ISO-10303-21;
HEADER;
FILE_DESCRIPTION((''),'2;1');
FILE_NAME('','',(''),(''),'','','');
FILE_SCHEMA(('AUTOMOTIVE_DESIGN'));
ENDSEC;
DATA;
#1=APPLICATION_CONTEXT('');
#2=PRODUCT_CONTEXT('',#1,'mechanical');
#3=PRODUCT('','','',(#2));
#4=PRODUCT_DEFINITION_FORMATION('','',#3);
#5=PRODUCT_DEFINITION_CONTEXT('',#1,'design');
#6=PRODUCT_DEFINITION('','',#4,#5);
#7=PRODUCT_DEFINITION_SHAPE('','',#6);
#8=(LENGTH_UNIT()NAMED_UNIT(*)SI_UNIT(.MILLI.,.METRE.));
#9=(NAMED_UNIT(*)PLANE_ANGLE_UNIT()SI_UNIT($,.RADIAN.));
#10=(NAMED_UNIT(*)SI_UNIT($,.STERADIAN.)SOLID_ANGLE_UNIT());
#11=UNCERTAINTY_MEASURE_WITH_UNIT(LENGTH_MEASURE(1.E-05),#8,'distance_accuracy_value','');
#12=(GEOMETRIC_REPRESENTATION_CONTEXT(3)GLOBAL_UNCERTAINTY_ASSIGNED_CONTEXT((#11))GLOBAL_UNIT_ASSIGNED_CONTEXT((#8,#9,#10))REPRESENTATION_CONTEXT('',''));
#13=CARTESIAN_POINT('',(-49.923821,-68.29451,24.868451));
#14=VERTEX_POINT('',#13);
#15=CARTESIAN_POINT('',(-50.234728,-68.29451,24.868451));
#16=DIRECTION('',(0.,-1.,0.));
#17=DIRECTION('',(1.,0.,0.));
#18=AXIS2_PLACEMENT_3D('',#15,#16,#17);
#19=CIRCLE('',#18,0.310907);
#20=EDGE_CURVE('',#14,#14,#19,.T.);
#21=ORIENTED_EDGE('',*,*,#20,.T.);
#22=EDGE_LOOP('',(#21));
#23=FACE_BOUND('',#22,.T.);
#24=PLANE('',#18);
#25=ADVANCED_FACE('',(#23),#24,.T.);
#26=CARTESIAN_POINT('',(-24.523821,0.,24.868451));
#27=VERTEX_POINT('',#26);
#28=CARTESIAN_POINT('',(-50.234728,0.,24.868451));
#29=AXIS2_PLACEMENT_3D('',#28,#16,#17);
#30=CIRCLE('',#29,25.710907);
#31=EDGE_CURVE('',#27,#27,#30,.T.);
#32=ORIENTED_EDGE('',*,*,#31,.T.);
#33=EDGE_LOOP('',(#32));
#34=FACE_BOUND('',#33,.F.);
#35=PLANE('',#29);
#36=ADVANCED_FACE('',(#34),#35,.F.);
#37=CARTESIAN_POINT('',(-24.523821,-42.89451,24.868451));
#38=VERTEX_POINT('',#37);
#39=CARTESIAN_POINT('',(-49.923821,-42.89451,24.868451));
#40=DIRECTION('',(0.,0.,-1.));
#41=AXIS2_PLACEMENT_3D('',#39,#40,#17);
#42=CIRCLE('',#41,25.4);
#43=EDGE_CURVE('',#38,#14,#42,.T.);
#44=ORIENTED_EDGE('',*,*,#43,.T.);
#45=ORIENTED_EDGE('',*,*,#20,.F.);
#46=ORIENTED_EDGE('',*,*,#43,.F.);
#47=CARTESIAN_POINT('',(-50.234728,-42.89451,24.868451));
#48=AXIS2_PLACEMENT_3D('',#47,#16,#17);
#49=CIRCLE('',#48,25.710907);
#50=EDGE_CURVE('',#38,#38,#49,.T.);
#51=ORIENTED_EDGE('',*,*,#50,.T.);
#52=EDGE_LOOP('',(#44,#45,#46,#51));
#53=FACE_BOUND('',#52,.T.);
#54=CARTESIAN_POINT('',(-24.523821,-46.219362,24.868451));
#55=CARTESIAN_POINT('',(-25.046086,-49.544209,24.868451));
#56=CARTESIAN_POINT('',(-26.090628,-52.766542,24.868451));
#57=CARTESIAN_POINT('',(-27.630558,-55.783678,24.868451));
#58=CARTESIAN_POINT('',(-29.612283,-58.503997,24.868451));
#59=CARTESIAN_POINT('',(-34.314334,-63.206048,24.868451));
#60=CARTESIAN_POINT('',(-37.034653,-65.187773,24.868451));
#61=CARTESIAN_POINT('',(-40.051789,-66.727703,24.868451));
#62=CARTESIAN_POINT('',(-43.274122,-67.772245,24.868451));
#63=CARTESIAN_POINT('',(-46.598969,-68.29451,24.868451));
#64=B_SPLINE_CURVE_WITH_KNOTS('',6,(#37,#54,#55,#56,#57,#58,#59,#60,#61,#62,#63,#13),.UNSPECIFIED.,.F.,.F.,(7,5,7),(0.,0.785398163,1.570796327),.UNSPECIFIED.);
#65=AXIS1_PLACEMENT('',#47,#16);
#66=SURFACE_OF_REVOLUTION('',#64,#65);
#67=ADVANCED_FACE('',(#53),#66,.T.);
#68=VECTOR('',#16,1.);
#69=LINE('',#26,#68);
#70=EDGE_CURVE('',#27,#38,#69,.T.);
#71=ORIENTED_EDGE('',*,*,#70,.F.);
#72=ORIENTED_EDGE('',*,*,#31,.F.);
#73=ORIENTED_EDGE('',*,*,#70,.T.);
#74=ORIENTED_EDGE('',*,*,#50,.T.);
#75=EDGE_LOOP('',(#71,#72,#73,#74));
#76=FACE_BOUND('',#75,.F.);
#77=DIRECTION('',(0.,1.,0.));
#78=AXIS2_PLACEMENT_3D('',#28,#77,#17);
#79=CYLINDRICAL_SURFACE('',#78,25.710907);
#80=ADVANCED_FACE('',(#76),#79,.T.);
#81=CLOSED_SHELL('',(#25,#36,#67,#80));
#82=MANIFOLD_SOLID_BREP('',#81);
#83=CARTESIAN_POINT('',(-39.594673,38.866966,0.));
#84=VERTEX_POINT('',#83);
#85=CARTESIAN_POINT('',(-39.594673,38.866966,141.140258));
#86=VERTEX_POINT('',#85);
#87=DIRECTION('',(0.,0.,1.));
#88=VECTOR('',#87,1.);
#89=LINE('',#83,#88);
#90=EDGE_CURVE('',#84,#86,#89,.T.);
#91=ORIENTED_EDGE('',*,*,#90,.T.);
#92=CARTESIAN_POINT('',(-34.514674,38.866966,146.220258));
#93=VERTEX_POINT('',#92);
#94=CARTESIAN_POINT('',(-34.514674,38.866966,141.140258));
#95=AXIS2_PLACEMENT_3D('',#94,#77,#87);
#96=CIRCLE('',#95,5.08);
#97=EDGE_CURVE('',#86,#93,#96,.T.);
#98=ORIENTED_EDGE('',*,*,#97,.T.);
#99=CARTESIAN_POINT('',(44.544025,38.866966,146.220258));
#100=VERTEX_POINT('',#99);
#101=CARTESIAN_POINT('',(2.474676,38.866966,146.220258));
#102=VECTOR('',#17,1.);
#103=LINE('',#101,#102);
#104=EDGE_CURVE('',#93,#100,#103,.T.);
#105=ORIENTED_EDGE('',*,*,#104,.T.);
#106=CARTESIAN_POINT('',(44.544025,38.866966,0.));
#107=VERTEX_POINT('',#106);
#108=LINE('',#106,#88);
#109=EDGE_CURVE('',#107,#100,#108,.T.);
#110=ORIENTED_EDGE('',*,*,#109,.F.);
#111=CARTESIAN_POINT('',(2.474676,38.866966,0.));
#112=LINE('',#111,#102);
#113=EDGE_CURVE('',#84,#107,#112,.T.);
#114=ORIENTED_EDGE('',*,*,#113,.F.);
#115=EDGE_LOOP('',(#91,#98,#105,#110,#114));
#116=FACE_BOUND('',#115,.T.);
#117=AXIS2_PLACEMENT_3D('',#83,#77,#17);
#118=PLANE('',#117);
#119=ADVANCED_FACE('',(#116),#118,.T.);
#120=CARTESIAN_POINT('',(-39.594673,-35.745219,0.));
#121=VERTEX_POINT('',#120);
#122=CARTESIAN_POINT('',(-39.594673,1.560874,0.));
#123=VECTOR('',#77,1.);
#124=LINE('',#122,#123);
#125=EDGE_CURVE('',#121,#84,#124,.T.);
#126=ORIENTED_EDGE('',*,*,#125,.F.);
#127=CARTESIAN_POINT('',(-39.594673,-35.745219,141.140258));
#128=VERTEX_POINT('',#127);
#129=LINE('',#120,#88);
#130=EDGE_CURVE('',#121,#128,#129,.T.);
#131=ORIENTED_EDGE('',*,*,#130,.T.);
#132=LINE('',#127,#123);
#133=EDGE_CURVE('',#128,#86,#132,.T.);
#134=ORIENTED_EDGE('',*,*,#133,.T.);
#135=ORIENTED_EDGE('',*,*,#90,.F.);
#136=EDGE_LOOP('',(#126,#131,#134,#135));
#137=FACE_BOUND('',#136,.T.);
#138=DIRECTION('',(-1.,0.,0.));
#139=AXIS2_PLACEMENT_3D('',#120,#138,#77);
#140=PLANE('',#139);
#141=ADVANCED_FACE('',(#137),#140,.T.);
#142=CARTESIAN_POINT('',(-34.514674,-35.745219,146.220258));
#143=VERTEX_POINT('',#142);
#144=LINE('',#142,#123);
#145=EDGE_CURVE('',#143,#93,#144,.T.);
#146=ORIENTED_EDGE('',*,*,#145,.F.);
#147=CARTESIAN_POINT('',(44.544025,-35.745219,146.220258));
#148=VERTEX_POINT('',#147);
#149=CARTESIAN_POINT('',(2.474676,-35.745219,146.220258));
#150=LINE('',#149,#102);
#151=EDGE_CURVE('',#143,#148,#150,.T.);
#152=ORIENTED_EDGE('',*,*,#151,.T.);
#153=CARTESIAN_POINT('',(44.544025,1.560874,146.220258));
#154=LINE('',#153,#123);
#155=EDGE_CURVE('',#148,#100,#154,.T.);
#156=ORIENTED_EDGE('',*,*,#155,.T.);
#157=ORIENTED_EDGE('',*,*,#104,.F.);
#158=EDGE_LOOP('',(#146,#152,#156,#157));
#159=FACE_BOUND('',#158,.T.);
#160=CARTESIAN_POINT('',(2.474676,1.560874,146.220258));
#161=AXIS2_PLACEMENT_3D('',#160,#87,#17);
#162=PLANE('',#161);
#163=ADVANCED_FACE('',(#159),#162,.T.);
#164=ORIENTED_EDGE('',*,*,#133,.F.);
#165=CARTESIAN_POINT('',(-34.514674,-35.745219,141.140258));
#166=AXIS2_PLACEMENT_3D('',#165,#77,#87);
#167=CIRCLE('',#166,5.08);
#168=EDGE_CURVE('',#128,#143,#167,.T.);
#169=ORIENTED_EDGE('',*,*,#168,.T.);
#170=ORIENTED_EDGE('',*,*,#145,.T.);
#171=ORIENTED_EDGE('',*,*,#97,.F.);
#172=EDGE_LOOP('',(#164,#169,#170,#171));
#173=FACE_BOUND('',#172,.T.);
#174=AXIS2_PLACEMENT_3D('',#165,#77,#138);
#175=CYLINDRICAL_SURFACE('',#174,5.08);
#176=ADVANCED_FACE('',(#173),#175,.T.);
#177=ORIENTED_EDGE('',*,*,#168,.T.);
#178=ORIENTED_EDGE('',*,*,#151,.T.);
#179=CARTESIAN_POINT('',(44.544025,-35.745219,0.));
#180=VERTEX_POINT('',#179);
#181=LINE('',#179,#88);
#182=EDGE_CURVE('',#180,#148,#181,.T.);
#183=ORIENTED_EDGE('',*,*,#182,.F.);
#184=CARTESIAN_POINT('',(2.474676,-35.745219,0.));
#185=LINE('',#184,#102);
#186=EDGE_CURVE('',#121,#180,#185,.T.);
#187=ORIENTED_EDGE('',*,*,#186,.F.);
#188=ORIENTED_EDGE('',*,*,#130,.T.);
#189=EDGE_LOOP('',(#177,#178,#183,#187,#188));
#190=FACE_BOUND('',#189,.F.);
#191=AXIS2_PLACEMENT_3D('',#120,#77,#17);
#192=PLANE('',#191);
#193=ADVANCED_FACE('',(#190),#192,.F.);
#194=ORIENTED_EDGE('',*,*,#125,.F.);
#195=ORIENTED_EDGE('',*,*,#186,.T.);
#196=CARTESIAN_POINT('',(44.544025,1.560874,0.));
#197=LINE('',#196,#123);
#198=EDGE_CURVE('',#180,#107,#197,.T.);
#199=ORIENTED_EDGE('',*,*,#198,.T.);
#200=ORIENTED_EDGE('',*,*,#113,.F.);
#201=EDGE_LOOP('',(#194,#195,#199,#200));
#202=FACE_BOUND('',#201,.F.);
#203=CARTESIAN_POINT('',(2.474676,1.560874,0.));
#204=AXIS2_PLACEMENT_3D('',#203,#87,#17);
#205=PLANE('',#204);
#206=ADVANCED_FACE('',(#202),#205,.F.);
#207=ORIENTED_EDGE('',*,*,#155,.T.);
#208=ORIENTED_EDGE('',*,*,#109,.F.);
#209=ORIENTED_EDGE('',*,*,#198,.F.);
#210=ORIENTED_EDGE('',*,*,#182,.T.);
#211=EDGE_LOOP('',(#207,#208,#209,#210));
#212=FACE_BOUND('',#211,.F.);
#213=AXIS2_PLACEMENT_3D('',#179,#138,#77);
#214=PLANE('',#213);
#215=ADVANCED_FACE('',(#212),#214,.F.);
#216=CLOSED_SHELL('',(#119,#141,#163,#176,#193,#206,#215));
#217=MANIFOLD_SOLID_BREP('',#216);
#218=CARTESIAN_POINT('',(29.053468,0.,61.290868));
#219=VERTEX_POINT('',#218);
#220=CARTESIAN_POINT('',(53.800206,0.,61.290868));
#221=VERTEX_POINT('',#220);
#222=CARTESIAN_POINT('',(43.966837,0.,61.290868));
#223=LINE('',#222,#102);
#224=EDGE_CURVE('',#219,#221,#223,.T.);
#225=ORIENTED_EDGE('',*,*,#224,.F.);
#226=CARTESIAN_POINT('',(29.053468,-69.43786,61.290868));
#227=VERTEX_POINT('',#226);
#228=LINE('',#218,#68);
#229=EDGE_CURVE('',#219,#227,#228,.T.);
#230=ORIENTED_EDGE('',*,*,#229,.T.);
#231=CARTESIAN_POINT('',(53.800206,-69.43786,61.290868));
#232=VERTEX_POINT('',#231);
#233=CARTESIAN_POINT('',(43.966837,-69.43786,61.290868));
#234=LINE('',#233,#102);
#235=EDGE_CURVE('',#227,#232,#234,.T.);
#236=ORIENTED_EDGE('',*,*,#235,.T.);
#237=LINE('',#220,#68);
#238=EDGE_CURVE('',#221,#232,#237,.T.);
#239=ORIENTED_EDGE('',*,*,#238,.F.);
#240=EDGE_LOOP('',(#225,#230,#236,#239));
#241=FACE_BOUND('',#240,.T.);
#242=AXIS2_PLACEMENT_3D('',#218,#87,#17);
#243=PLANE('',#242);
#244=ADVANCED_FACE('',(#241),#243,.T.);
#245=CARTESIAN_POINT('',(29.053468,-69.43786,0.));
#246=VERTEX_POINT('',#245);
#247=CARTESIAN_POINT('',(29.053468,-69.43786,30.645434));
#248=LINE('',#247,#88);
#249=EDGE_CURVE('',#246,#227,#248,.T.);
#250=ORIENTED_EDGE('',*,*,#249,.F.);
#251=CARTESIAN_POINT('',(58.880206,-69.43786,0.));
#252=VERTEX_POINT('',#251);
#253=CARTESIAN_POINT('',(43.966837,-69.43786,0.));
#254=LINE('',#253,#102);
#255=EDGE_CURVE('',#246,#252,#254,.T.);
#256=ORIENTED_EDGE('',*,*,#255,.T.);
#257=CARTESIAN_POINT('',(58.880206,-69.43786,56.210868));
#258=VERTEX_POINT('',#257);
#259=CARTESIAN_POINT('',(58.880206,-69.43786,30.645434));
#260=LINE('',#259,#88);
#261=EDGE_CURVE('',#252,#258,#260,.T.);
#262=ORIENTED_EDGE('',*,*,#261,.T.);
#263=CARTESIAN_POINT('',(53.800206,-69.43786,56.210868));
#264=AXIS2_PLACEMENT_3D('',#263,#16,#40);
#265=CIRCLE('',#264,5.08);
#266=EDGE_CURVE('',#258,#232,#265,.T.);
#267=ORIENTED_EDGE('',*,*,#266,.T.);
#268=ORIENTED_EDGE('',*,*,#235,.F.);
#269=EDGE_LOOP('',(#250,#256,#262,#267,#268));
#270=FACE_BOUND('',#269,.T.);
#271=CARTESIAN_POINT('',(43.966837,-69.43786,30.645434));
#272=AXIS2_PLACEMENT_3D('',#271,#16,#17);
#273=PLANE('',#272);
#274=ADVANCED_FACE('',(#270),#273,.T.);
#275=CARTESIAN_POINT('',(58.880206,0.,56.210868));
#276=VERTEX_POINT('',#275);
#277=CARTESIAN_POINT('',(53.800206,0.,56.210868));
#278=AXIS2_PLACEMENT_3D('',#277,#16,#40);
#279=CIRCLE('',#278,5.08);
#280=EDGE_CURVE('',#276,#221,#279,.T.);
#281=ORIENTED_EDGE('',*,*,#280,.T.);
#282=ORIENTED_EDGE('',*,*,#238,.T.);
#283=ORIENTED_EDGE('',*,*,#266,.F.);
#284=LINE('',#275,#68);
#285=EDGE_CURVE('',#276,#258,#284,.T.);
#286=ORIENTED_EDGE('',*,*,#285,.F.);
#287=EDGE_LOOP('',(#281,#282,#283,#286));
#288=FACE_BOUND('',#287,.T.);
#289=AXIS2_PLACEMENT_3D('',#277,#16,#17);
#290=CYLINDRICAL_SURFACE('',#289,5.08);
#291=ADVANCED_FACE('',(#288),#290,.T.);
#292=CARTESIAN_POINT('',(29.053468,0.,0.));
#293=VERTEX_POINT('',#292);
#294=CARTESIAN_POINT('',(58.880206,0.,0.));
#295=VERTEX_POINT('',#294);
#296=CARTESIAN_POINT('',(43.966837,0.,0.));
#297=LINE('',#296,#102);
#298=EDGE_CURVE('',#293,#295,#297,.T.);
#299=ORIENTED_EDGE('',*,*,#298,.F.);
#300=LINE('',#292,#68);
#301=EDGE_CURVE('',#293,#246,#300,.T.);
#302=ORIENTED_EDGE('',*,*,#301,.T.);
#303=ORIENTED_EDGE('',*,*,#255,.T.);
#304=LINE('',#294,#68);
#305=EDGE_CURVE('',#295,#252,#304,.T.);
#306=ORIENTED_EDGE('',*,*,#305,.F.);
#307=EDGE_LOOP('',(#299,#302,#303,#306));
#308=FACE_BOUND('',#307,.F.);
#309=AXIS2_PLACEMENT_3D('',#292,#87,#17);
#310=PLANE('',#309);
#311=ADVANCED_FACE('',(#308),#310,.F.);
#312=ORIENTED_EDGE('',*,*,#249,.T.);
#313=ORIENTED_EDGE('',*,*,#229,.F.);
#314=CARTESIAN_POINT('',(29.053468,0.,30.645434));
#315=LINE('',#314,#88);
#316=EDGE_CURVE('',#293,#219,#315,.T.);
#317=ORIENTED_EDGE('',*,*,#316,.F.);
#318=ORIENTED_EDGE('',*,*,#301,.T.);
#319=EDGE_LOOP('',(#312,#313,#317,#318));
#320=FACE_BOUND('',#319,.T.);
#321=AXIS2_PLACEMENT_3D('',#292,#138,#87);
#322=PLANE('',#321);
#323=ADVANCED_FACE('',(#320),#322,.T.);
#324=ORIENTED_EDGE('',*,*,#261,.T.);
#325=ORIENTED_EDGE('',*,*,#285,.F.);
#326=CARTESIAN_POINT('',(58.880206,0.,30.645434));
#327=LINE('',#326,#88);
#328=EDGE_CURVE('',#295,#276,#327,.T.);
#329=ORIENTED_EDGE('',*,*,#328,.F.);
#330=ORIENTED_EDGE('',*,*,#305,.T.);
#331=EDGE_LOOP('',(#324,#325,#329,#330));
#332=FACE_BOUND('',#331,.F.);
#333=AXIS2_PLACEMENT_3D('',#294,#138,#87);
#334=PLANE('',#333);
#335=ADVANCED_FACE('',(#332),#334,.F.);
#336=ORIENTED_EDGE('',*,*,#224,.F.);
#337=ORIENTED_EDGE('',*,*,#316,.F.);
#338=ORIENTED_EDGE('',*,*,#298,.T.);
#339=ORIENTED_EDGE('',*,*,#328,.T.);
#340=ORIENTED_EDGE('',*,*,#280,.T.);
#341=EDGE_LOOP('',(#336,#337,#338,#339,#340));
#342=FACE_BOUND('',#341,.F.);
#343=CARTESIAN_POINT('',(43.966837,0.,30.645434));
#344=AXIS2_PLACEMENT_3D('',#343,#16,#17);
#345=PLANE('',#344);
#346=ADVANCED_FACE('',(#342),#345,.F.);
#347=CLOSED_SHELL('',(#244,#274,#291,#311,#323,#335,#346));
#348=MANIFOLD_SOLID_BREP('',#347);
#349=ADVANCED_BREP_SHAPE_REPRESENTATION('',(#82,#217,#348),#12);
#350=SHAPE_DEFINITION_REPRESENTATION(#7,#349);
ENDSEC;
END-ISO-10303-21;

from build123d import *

# Parameters (mm, degrees)
F0_W     = 29.826738
F0_H     = 61.290868
F1_DEPTH = 69.43786
F2_R     = 5.08
F3_R     = 25.710907
F4_DEPTH = 68.29451
F5_R     = 25.4
F6_W     = 84.138699
F6_H     = 74.612185
F7_DEPTH = 146.220258
F8_R     = 5.08


with BuildPart() as f1:
    # F0 (on Front) → F1 (new body)
    with BuildSketch(Plane.XZ):
        with Locations((43.966837, 30.645434)):
            Rectangle(F0_W, F0_H)
    extrude(amount=F1_DEPTH)

    # F2
    f2_edges = [f1.edges().sort_by_distance(p)[0] for p in [
        (58.880206, -34.71893, 61.290868),
    ]]
    fillet(f2_edges, radius=F2_R)


with BuildPart() as f4:
    # F3 (on Front) → F4 (new body)
    with BuildSketch(Plane.XZ):
        with Locations((-50.234728, 24.868451)):
            Circle(F3_R)
    extrude(amount=F4_DEPTH)

    # F5
    f5_edges = [f4.edges().sort_by_distance(p)[0] for p in [
        (-75.945634, -68.29451, 24.868451),
    ]]
    fillet(f5_edges, radius=F5_R)


with BuildPart() as f7:
    # F6 (on Top) → F7 (new body)
    with BuildSketch(Plane.XY):
        with Locations((2.474676, 1.560874)):
            Rectangle(F6_W, F6_H)
    extrude(amount=F7_DEPTH)

    # F8
    f8_edges = [f7.edges().sort_by_distance(p)[0] for p in [
        (-39.594673, 1.560874, 146.220258),
    ]]
    fillet(f8_edges, radius=F8_R)


solid = Compound([f1.part, f4.part, f7.part])
